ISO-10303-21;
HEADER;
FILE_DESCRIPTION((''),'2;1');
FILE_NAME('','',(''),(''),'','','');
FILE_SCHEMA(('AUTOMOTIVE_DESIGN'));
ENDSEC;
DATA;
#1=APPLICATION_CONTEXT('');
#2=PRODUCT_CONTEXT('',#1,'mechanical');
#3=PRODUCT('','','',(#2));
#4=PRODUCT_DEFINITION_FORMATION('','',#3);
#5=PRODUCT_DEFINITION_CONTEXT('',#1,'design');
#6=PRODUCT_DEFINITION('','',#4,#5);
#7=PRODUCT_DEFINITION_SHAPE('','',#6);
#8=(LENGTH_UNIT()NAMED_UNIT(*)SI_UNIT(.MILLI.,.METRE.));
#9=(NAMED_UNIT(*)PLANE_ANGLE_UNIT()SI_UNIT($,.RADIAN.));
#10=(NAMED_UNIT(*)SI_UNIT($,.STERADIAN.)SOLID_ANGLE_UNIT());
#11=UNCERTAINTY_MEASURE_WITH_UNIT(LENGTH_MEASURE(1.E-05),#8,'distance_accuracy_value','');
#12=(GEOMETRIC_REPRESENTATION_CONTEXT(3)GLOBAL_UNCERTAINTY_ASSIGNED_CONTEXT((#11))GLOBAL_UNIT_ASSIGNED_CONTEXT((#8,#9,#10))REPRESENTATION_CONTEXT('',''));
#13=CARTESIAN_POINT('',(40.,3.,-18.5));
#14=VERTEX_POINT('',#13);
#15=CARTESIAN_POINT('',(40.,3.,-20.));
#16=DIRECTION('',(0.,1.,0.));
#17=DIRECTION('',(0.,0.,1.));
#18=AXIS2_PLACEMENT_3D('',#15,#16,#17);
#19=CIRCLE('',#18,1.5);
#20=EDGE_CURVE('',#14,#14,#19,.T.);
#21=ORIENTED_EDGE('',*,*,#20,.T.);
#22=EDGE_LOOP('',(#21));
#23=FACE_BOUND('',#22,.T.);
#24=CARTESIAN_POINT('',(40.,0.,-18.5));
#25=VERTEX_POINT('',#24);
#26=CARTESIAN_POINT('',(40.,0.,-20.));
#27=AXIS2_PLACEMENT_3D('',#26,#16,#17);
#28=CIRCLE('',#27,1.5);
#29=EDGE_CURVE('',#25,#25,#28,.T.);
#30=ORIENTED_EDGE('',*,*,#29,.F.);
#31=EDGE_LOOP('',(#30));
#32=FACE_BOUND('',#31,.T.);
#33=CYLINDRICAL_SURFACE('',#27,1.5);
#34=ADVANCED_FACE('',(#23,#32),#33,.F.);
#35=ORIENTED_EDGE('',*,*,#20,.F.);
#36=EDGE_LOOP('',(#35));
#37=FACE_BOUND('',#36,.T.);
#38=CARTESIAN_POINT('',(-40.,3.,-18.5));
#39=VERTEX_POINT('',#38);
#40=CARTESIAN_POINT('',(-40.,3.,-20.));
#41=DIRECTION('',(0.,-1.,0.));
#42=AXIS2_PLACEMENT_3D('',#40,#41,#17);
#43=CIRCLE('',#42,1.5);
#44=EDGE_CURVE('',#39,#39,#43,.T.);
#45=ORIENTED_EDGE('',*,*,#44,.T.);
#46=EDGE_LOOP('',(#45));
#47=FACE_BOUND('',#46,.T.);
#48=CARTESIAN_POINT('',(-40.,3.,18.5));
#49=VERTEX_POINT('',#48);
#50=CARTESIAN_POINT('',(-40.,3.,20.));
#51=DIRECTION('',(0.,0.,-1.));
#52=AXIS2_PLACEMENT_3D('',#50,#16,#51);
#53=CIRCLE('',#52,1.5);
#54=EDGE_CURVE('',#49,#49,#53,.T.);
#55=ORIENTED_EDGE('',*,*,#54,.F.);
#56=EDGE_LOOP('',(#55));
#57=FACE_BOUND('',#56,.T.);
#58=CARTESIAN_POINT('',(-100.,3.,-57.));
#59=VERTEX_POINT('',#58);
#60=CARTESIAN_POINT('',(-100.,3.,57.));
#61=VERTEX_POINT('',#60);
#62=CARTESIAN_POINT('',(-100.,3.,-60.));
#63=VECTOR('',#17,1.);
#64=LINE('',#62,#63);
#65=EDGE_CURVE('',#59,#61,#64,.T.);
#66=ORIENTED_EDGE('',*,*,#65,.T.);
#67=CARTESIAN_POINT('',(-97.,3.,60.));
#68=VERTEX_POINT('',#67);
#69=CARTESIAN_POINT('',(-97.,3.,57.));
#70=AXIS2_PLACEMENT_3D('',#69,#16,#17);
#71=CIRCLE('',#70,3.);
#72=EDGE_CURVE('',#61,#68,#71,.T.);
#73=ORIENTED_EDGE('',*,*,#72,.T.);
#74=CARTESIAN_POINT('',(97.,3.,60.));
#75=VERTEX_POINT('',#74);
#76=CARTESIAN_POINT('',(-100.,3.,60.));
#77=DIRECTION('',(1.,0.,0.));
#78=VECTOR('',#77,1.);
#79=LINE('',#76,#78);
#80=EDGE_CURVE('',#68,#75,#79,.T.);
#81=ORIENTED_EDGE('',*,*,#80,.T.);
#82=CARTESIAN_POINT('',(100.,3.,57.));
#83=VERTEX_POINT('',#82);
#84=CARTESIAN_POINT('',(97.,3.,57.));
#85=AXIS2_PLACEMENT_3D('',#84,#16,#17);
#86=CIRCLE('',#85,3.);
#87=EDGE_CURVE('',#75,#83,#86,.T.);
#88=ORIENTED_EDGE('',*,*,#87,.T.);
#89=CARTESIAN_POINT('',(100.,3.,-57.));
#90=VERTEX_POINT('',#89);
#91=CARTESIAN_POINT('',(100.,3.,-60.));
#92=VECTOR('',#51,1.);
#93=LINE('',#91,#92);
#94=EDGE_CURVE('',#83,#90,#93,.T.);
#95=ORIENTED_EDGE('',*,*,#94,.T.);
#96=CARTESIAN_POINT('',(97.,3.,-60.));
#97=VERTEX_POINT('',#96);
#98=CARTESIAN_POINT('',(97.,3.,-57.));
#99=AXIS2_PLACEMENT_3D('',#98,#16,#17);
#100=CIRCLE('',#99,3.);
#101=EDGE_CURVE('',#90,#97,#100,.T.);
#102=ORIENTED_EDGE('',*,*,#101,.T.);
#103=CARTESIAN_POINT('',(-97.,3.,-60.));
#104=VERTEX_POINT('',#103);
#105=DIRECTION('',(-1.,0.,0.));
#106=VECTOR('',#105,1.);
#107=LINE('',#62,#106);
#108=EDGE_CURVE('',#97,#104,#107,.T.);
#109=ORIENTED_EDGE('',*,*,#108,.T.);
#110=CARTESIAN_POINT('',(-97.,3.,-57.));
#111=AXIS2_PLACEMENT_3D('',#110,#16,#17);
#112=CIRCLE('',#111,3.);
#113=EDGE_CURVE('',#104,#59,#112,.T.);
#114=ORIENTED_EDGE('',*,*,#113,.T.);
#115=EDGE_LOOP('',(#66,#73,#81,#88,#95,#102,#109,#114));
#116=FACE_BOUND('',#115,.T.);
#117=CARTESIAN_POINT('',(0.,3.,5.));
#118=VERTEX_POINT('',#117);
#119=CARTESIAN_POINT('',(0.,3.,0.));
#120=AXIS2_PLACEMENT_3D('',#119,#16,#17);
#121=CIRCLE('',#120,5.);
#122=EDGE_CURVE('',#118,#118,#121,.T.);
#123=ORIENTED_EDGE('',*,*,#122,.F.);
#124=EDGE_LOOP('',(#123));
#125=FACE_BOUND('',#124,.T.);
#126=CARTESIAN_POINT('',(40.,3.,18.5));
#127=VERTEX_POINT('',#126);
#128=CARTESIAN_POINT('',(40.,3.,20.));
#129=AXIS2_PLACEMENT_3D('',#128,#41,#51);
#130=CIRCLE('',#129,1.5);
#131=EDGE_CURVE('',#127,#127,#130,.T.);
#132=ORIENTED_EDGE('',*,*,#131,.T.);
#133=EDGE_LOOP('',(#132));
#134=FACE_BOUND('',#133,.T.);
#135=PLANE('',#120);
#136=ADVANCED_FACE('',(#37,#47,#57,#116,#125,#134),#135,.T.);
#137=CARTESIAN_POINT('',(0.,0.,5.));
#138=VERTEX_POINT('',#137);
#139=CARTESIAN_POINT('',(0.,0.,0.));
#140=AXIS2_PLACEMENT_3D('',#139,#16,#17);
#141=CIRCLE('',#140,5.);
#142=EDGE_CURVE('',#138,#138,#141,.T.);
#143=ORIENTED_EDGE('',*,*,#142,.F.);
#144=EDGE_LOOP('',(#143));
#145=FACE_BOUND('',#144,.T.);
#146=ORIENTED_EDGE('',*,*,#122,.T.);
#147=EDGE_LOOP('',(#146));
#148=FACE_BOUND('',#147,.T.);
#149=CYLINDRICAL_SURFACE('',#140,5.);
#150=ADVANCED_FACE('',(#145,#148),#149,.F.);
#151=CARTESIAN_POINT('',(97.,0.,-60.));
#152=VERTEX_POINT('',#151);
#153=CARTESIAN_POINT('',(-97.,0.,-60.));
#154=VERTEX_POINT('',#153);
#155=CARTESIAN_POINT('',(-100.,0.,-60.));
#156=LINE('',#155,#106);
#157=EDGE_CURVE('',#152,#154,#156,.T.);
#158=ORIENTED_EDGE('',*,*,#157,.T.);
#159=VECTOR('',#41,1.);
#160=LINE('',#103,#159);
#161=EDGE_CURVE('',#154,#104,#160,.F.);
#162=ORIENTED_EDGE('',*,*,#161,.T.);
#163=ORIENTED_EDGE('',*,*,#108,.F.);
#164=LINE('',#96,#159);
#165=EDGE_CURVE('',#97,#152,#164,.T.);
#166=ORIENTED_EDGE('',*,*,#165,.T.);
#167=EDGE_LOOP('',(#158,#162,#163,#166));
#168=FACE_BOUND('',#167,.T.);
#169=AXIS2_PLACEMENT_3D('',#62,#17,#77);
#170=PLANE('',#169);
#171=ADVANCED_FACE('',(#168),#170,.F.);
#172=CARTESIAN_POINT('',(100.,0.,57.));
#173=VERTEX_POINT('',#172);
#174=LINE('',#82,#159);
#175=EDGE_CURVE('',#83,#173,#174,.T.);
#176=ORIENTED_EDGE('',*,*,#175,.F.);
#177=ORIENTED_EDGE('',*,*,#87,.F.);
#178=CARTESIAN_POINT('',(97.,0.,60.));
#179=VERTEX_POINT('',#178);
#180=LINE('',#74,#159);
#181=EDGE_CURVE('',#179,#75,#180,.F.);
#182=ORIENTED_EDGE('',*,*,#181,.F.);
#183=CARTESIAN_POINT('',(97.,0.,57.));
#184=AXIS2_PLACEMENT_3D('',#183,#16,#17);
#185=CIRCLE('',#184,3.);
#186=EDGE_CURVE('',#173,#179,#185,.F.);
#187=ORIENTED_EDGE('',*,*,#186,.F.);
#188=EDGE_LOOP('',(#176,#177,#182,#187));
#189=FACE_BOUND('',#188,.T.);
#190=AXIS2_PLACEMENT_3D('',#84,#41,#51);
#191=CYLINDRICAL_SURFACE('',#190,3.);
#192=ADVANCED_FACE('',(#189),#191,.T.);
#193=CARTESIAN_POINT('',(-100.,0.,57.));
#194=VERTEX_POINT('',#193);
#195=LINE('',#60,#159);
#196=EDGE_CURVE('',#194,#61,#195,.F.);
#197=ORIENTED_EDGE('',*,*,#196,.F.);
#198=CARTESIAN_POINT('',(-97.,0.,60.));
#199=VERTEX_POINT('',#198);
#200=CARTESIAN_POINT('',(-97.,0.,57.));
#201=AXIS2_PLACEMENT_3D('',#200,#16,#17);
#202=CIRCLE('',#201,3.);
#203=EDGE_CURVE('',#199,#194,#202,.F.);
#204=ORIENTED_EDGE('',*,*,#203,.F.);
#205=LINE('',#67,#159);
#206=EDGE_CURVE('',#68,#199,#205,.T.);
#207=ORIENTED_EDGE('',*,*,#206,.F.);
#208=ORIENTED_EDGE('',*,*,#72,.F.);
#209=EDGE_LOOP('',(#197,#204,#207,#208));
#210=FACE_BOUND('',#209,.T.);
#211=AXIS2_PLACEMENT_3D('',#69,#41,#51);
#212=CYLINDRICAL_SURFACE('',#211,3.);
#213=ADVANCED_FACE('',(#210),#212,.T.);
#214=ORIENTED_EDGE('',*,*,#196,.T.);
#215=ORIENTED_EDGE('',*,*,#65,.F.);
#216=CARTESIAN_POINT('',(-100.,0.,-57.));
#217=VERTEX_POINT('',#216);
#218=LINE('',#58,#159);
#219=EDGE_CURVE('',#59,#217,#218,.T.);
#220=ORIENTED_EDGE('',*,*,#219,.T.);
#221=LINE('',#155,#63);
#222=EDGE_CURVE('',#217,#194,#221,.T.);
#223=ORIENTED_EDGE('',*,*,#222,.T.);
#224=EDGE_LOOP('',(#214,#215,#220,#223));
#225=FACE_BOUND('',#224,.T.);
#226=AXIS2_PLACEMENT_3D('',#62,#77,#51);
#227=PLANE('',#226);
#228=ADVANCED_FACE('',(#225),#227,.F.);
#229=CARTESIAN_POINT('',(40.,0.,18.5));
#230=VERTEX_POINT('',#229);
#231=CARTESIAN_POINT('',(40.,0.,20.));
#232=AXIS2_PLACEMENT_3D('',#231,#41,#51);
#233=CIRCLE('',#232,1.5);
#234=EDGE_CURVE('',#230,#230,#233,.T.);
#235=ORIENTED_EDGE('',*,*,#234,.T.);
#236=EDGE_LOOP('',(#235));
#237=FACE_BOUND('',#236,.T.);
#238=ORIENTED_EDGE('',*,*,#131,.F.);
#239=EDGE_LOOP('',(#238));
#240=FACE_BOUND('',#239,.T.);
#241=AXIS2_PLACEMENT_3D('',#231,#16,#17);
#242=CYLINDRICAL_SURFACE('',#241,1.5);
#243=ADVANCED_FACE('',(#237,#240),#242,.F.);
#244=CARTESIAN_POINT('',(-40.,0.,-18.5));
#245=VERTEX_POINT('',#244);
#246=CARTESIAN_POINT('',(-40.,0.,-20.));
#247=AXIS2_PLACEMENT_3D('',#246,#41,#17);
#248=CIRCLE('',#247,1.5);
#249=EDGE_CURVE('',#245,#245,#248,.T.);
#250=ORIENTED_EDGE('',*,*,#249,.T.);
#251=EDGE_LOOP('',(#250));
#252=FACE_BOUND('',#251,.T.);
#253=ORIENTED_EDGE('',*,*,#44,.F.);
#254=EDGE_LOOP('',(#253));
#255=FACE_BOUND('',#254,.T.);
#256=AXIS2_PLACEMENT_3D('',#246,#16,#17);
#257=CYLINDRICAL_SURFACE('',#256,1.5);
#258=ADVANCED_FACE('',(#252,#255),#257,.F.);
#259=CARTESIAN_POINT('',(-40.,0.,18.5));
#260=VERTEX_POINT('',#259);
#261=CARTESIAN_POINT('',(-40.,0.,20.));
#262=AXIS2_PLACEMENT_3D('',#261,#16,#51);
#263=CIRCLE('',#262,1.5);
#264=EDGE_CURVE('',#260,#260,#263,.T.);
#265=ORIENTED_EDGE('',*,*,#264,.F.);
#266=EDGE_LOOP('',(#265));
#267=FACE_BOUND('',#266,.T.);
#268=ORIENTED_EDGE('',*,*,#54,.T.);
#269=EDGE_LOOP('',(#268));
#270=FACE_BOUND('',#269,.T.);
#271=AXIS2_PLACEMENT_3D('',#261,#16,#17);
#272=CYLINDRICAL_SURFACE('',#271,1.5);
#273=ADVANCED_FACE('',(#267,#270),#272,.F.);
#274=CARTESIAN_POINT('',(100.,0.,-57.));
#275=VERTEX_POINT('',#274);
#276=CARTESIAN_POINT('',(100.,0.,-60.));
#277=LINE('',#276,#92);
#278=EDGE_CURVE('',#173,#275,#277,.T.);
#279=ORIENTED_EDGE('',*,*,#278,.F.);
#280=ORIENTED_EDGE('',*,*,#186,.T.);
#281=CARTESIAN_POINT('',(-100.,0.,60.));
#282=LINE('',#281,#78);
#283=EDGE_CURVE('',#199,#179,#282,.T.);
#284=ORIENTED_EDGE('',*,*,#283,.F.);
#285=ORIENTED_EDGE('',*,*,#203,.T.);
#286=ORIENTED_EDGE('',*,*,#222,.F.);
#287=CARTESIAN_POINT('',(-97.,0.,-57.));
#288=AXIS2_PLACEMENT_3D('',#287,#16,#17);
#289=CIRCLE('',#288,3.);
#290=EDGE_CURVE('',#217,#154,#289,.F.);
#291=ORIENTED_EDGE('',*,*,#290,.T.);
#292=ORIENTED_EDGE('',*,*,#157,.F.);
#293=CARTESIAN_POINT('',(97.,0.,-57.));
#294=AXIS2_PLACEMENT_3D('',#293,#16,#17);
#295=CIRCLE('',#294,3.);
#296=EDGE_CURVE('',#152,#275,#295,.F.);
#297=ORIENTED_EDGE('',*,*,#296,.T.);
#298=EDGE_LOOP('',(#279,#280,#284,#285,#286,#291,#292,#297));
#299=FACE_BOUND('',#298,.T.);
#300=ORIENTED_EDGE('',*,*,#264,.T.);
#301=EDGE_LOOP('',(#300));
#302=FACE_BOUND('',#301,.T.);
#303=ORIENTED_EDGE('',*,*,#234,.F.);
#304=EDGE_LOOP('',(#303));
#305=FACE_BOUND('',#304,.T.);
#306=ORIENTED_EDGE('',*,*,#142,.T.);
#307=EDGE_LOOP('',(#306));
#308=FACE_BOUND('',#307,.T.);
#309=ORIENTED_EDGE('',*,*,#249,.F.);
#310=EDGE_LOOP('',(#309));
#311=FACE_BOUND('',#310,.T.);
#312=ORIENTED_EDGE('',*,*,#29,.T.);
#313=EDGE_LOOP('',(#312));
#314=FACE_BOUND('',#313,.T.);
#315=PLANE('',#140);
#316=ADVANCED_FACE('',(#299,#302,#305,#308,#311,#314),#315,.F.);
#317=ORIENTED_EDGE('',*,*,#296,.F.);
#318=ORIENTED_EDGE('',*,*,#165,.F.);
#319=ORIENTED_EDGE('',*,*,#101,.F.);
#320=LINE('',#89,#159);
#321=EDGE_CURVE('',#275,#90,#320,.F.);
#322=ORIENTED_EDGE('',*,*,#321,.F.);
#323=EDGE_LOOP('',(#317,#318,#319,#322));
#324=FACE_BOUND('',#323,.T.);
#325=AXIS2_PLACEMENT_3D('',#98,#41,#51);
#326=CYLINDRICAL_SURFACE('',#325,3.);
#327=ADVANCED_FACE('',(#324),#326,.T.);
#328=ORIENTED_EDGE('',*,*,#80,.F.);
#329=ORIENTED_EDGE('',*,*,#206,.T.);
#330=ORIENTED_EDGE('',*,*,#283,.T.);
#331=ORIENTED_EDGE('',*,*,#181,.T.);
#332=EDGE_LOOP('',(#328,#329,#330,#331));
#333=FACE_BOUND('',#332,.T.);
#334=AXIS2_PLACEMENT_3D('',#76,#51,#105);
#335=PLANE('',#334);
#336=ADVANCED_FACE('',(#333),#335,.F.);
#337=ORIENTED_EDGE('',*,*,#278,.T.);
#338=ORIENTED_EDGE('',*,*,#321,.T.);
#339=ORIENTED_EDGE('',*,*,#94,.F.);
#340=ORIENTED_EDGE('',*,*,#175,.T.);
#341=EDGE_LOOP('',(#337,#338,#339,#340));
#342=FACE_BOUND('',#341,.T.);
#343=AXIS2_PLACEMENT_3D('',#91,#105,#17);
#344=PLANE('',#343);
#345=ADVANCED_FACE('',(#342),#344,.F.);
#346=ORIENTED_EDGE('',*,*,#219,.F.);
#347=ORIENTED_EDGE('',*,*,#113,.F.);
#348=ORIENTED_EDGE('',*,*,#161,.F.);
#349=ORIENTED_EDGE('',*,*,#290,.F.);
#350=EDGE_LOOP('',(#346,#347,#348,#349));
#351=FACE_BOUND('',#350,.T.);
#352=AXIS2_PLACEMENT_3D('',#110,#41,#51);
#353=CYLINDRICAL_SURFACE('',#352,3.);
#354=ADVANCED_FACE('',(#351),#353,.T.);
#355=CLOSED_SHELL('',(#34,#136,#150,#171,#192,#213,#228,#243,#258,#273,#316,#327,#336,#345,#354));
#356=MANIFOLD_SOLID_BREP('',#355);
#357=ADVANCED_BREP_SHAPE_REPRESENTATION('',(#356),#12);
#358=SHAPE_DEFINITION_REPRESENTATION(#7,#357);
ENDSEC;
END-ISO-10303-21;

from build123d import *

# Parameters (mm, degrees)
SKETCH1_W               = 200
SKETCH1_H               = 120
BOSS_EXTRUDE1_DEPTH     = 3
FILLET1_R               = 3
SKETCH2_R               = 1.5
CUT_EXTRUDE1_DEPTH      = 3
MIRROR2_COPY_1_SKETCH_R = 1.5
MIRROR2_COPY_1_DEPTH    = 3
SKETCH3_R               = 5
CUT_EXTRUDE2_DEPTH      = 3


with BuildPart() as part:
    # Sketch1 → Boss-Extrude1 (new body)
    with BuildSketch(Plane(origin=(0, 0, 0), x_dir=(1, 0, 0), z_dir=(0, 1, 0))):
        Rectangle(SKETCH1_W, SKETCH1_H)
    extrude(amount=BOSS_EXTRUDE1_DEPTH)

    # Fillet1
    fillet1_edges = [part.edges().sort_by_distance(p)[0] for p in [
        (100, 1.5, 60),
        (-100, 1.5, 60),
        (-100, 1.5, -60),
        (100, 1.5, -60),
    ]]
    fillet(fillet1_edges, radius=FILLET1_R)

    # Sketch2 → Cut-Extrude1 (cut)
    with BuildSketch(Plane(origin=(0, 3, 0), x_dir=(1, 0, 0), z_dir=(0, 1, 0))):
        with Locations((40, 20)):
            Circle(SKETCH2_R)
    cut_extrude1 = extrude(amount=-CUT_EXTRUDE1_DEPTH, mode=Mode.SUBTRACT)

    # Mirror1: Cut-Extrude1 across plane
    add(cut_extrude1.mirror(Plane.XY), mode=Mode.SUBTRACT)

    # Mirror2: Cut-Extrude1 across plane
    add(cut_extrude1.mirror(Plane(origin=(0, 0, 0), x_dir=(0, 0, 1), z_dir=(1, 0, 0))), mode=Mode.SUBTRACT)

    # Mirror2 copy 1 sketch → Mirror2 copy 1 (cut)
    with BuildSketch(Plane(origin=(0, 3, 0), x_dir=(-1, 0, 0), z_dir=(0, 1, 0))):
        with Locations((40, 20)):
            Circle(MIRROR2_COPY_1_SKETCH_R)
    extrude(amount=-MIRROR2_COPY_1_DEPTH, mode=Mode.SUBTRACT)

    # Sketch3 → Cut-Extrude2 (cut)
    with BuildSketch(Plane(origin=(0, 3, 0), x_dir=(1, 0, 0), z_dir=(0, 1, 0))):
        Circle(SKETCH3_R)
    extrude(amount=-CUT_EXTRUDE2_DEPTH, mode=Mode.SUBTRACT)


solid = part.part
